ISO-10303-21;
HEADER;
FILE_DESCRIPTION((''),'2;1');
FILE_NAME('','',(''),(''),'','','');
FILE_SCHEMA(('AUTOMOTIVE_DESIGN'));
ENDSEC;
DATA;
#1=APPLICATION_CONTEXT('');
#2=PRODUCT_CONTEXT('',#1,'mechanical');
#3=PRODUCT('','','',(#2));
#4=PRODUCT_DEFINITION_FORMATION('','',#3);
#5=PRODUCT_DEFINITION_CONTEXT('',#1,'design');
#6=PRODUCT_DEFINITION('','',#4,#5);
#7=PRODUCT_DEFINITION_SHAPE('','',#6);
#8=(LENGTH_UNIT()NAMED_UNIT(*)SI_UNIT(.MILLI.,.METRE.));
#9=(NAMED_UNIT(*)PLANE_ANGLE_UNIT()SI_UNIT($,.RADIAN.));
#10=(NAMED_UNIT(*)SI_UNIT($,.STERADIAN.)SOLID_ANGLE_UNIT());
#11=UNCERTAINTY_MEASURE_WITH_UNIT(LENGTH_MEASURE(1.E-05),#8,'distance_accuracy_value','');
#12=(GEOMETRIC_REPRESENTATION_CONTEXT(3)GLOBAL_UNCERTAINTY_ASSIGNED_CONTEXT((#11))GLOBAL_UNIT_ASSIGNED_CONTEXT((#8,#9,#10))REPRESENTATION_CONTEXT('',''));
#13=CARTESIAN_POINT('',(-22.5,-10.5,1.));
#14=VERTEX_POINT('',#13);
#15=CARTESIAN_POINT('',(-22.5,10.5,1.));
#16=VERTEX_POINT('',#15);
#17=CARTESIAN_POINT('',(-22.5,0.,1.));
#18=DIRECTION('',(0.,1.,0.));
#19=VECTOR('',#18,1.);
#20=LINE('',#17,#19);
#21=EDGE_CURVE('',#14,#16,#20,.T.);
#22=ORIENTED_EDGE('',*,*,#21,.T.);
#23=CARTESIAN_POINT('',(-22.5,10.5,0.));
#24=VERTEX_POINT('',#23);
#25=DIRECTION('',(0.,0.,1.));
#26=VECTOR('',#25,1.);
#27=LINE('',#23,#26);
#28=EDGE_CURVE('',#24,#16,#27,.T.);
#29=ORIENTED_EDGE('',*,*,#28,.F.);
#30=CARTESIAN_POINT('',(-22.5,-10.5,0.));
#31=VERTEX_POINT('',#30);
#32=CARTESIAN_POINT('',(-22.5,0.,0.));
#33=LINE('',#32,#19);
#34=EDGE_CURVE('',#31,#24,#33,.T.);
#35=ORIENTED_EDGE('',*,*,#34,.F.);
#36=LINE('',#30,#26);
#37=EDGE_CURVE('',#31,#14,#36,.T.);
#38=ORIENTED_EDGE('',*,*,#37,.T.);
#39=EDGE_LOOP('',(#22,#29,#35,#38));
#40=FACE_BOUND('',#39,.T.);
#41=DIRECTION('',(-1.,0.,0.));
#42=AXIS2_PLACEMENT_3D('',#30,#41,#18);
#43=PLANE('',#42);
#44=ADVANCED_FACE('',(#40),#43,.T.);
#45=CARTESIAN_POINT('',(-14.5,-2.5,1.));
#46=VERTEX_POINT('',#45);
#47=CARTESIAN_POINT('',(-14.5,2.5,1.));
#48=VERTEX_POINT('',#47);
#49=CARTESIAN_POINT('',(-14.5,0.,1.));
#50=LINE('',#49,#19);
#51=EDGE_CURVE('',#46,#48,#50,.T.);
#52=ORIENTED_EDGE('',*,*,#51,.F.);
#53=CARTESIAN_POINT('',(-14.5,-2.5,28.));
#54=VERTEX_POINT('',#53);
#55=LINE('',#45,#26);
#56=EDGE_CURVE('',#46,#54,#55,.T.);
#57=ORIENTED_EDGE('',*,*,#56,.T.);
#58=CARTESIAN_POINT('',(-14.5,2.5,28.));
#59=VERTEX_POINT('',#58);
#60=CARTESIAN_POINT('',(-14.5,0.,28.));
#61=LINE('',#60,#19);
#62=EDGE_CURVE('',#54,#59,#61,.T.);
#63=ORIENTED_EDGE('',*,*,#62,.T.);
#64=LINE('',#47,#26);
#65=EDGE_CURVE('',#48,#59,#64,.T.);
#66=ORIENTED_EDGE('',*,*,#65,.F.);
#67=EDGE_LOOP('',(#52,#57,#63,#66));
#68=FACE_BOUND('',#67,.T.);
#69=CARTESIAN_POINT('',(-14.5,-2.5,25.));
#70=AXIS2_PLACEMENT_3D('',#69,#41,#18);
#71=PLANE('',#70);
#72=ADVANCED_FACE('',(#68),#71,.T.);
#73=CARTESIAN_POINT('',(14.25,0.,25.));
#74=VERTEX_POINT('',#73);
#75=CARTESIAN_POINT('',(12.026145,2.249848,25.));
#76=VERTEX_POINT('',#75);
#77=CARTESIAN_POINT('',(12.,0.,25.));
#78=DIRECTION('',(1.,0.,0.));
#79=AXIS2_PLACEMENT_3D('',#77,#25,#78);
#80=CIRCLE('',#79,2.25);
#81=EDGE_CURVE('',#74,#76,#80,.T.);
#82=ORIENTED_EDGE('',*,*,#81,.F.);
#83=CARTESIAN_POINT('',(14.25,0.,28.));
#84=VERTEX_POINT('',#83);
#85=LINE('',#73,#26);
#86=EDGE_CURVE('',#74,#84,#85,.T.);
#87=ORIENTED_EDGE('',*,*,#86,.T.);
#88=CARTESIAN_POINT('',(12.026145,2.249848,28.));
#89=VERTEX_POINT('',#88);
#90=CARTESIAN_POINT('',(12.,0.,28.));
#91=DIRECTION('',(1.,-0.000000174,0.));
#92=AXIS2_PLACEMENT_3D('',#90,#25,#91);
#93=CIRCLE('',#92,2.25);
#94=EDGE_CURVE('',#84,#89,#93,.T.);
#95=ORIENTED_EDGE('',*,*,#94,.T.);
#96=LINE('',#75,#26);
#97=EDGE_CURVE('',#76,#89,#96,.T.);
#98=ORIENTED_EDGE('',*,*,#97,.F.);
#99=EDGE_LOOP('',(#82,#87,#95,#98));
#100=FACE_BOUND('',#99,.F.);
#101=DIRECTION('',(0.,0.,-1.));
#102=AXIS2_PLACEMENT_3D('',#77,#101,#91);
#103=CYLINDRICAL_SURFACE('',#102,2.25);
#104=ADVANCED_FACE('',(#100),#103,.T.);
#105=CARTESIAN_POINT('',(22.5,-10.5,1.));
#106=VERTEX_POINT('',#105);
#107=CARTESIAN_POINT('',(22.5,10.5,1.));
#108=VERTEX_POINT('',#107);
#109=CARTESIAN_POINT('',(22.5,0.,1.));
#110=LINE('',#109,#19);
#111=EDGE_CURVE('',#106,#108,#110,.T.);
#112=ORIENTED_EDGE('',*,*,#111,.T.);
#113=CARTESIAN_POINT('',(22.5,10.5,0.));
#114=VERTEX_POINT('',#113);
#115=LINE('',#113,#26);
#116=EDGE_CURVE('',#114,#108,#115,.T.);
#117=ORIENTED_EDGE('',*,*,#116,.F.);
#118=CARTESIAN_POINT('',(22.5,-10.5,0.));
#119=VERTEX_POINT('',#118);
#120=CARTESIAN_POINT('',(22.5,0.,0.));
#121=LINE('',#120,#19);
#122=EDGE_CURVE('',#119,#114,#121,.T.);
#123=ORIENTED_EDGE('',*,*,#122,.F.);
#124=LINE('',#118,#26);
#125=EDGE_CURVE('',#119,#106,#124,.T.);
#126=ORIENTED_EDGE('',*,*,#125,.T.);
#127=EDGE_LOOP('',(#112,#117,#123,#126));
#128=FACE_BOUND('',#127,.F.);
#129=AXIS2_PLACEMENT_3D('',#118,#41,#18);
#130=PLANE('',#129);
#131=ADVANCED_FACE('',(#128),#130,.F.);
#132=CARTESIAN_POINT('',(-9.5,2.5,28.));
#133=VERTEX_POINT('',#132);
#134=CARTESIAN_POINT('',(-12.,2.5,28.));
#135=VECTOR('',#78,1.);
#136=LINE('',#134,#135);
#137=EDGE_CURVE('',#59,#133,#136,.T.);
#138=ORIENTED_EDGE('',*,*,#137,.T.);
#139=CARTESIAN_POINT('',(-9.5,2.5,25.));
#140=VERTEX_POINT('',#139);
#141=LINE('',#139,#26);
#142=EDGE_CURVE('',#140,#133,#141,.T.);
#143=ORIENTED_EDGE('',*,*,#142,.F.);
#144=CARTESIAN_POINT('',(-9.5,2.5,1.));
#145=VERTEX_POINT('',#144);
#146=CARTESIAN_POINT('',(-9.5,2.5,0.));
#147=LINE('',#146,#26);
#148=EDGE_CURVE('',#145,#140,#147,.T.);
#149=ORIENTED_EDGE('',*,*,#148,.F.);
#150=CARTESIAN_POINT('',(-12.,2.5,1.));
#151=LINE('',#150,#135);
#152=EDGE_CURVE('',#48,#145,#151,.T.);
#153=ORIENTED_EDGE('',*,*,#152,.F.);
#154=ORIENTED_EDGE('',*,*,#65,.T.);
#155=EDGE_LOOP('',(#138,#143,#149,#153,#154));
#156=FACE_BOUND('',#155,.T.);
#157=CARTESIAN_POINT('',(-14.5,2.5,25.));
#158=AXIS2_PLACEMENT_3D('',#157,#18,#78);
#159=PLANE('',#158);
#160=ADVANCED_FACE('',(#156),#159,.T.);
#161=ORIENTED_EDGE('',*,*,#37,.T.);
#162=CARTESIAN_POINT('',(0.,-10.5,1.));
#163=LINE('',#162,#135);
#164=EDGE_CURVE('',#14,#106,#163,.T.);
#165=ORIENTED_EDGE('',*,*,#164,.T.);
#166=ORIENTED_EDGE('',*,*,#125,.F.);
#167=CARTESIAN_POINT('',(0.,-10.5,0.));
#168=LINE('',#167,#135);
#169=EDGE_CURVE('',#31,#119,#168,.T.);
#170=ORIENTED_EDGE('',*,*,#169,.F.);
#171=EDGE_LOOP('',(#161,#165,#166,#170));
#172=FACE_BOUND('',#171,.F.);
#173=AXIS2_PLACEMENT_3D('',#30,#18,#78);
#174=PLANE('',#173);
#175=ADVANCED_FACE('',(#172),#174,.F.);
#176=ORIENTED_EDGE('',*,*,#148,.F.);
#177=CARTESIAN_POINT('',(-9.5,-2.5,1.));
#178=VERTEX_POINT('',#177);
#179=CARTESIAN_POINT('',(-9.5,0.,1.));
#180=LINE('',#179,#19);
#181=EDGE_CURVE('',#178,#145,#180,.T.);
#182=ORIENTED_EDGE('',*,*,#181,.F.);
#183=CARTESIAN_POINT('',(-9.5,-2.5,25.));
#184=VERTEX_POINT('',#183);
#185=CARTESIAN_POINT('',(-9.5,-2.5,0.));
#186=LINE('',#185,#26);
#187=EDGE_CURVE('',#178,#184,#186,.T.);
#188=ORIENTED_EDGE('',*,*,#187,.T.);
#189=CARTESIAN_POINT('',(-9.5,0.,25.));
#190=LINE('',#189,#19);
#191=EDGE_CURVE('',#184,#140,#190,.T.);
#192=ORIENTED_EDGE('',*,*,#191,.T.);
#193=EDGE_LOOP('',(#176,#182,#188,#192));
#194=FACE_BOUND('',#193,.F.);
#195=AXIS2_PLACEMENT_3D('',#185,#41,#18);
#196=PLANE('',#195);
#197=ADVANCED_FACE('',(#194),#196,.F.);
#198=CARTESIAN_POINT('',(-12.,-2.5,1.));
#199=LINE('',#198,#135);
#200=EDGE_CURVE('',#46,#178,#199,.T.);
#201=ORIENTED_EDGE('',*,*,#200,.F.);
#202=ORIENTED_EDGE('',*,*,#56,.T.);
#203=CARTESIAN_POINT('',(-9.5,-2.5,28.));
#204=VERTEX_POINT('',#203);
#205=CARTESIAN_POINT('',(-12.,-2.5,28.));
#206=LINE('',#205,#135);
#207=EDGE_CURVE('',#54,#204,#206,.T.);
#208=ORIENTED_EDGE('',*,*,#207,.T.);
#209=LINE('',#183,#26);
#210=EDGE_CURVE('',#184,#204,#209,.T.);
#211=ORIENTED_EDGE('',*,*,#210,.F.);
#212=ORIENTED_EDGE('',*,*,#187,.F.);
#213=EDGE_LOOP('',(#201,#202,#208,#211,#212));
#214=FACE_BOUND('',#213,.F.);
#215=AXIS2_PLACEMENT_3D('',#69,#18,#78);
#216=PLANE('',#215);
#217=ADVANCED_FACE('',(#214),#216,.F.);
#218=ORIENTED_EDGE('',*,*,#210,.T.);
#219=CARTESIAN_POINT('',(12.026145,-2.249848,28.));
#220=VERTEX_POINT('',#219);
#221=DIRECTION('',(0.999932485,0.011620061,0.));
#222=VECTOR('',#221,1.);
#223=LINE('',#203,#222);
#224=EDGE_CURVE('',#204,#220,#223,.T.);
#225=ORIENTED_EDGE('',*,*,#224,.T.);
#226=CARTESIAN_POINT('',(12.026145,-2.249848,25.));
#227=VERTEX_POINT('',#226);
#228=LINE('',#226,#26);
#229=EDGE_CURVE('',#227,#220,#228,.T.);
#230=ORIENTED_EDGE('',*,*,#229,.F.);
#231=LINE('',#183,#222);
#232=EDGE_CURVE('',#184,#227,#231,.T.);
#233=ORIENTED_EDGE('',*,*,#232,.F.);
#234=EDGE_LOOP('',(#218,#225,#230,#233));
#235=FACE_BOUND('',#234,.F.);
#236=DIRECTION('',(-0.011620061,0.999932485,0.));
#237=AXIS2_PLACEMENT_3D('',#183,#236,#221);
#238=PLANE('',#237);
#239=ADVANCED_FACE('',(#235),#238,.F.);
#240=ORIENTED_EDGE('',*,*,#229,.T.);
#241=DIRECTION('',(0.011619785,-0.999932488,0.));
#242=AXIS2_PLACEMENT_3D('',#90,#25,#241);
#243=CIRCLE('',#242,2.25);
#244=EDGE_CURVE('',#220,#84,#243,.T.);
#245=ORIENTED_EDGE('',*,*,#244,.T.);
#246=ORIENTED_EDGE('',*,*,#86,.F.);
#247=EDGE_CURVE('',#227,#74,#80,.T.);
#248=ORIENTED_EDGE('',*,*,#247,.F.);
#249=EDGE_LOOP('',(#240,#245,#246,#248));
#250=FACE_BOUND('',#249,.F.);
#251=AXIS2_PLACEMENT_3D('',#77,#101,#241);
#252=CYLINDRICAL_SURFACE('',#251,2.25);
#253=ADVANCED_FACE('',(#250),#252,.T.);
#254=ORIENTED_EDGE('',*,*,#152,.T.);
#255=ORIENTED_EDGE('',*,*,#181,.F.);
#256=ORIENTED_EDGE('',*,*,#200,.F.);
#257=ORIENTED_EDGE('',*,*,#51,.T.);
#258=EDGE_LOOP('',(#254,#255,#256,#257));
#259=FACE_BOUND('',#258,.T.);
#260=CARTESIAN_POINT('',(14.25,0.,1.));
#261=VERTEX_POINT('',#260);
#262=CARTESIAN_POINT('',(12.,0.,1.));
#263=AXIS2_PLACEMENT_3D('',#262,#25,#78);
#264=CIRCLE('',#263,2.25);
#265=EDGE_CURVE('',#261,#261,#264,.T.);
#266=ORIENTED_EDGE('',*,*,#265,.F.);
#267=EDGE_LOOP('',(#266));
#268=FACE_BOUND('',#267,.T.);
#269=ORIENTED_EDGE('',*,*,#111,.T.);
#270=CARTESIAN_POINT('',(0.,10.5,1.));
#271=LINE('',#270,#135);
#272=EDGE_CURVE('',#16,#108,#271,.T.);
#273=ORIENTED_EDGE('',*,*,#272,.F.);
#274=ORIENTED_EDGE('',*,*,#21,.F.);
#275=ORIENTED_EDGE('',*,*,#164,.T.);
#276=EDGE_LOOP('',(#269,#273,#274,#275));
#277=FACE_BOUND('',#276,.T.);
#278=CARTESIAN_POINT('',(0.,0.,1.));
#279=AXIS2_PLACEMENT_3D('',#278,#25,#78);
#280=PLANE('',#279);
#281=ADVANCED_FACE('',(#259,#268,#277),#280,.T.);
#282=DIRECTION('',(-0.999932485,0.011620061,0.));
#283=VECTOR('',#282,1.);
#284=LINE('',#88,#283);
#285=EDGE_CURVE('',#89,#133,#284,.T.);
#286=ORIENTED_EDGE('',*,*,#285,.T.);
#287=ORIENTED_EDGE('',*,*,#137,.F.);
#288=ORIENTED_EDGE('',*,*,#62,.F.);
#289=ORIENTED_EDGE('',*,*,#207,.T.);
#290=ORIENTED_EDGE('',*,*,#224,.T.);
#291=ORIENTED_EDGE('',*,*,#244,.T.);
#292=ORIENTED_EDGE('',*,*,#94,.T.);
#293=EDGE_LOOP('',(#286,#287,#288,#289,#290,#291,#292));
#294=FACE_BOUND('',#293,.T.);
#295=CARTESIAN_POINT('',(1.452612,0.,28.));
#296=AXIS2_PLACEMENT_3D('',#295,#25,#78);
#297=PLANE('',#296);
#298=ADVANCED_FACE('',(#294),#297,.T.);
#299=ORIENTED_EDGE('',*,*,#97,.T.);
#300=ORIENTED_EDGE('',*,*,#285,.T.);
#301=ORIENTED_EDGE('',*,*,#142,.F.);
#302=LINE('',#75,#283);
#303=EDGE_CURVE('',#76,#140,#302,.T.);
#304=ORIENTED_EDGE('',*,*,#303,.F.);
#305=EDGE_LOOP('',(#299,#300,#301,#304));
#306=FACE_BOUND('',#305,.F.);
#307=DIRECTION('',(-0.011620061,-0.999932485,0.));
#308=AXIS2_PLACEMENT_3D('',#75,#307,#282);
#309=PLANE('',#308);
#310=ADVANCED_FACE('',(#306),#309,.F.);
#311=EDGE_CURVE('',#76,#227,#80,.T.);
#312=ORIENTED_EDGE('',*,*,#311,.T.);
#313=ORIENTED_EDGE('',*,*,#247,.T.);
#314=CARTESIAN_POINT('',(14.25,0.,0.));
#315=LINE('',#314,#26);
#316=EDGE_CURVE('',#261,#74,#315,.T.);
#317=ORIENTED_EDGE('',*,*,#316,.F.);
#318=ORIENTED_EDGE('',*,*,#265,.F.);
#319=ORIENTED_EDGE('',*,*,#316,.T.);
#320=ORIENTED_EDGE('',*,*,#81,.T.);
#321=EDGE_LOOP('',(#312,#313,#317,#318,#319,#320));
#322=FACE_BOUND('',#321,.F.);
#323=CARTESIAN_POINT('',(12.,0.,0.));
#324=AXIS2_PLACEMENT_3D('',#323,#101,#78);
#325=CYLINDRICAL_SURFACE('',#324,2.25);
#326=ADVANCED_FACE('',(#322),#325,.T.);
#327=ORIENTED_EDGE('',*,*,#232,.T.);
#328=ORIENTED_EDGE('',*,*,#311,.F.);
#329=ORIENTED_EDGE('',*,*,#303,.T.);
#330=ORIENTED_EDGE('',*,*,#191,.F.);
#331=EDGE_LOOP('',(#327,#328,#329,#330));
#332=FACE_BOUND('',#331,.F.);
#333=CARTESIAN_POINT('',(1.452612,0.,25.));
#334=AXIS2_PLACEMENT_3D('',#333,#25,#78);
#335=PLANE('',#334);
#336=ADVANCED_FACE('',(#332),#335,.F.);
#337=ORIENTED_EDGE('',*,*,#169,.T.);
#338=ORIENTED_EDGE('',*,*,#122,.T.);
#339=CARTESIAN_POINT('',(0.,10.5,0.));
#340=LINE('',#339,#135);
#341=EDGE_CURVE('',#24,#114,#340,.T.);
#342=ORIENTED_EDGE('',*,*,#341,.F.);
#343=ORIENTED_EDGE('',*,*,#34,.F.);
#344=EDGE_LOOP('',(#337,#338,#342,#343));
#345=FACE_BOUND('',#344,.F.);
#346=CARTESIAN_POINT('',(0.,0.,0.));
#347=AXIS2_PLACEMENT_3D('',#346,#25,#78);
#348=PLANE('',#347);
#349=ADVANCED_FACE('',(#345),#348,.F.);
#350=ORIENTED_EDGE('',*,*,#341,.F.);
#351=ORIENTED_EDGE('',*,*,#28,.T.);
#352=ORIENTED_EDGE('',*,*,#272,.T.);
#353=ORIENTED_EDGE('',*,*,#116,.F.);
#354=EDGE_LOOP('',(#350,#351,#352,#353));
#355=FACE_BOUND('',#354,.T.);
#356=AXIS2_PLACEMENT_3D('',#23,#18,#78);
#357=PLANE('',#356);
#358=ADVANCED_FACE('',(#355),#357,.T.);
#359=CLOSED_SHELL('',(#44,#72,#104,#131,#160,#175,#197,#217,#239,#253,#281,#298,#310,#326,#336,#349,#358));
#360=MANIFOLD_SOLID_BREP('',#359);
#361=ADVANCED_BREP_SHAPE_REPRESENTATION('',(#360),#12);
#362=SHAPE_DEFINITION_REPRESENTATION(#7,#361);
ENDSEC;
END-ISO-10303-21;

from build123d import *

# Parameters (mm, degrees)
F0_W     = 45
F0_H     = 21
F0_W_2   = 5
F0_H_2   = 5
F0_R     = 2.25
F1_DEPTH = 1
F2_DEPTH = 25
F3_W     = 5
F3_H     = 5
F4_DEPTH = 3


with BuildPart() as f1:
    # F0 (on Top) → F1 (new body)
    with BuildSketch(Plane.XY):
        Rectangle(F0_W, F0_H)
        with Locations((-12, 0)):
            Rectangle(F0_W_2, F0_H_2, mode=Mode.SUBTRACT)
        with Locations((12, 0)):
            Circle(F0_R, mode=Mode.SUBTRACT)
    extrude(amount=F1_DEPTH)

    # F0 (on Top) → F2 (join)
    with BuildSketch(Plane.XY):
        with Locations((-12, 0)):
            Rectangle(F0_W_2, F0_H_2)
        with Locations((12, 0)):
            Circle(F0_R)
    extrude(amount=F2_DEPTH)

    # F3 (on face) → F4 (join)
    with BuildSketch(Plane.XY.offset(25)):
        with BuildLine():
            Line((12.026145, 2.249848), (-9.5, 2.5))
            Line((-9.5, 2.5), (-9.5, -2.5))
            Line((-9.5, -2.5), (12.026145, -2.249848))
            ThreePointArc((12.026145, -2.249848), (9.75, 0), (12.026145, 2.249848))
        make_face()
        with Locations((-12, 0)):
            Rectangle(F3_W, F3_H)
        with BuildLine():
            ThreePointArc((14.25, 0), (13.600207, 1.58172), (12.026145, 2.249848))
            ThreePointArc((12.026145, 2.249848), (9.75, 0), (12.026145, -2.249848))
            ThreePointArc((12.026145, -2.249848), (13.600207, -1.58172), (14.25, 0))
        make_face()
    extrude(amount=F4_DEPTH)


solid = f1.part
